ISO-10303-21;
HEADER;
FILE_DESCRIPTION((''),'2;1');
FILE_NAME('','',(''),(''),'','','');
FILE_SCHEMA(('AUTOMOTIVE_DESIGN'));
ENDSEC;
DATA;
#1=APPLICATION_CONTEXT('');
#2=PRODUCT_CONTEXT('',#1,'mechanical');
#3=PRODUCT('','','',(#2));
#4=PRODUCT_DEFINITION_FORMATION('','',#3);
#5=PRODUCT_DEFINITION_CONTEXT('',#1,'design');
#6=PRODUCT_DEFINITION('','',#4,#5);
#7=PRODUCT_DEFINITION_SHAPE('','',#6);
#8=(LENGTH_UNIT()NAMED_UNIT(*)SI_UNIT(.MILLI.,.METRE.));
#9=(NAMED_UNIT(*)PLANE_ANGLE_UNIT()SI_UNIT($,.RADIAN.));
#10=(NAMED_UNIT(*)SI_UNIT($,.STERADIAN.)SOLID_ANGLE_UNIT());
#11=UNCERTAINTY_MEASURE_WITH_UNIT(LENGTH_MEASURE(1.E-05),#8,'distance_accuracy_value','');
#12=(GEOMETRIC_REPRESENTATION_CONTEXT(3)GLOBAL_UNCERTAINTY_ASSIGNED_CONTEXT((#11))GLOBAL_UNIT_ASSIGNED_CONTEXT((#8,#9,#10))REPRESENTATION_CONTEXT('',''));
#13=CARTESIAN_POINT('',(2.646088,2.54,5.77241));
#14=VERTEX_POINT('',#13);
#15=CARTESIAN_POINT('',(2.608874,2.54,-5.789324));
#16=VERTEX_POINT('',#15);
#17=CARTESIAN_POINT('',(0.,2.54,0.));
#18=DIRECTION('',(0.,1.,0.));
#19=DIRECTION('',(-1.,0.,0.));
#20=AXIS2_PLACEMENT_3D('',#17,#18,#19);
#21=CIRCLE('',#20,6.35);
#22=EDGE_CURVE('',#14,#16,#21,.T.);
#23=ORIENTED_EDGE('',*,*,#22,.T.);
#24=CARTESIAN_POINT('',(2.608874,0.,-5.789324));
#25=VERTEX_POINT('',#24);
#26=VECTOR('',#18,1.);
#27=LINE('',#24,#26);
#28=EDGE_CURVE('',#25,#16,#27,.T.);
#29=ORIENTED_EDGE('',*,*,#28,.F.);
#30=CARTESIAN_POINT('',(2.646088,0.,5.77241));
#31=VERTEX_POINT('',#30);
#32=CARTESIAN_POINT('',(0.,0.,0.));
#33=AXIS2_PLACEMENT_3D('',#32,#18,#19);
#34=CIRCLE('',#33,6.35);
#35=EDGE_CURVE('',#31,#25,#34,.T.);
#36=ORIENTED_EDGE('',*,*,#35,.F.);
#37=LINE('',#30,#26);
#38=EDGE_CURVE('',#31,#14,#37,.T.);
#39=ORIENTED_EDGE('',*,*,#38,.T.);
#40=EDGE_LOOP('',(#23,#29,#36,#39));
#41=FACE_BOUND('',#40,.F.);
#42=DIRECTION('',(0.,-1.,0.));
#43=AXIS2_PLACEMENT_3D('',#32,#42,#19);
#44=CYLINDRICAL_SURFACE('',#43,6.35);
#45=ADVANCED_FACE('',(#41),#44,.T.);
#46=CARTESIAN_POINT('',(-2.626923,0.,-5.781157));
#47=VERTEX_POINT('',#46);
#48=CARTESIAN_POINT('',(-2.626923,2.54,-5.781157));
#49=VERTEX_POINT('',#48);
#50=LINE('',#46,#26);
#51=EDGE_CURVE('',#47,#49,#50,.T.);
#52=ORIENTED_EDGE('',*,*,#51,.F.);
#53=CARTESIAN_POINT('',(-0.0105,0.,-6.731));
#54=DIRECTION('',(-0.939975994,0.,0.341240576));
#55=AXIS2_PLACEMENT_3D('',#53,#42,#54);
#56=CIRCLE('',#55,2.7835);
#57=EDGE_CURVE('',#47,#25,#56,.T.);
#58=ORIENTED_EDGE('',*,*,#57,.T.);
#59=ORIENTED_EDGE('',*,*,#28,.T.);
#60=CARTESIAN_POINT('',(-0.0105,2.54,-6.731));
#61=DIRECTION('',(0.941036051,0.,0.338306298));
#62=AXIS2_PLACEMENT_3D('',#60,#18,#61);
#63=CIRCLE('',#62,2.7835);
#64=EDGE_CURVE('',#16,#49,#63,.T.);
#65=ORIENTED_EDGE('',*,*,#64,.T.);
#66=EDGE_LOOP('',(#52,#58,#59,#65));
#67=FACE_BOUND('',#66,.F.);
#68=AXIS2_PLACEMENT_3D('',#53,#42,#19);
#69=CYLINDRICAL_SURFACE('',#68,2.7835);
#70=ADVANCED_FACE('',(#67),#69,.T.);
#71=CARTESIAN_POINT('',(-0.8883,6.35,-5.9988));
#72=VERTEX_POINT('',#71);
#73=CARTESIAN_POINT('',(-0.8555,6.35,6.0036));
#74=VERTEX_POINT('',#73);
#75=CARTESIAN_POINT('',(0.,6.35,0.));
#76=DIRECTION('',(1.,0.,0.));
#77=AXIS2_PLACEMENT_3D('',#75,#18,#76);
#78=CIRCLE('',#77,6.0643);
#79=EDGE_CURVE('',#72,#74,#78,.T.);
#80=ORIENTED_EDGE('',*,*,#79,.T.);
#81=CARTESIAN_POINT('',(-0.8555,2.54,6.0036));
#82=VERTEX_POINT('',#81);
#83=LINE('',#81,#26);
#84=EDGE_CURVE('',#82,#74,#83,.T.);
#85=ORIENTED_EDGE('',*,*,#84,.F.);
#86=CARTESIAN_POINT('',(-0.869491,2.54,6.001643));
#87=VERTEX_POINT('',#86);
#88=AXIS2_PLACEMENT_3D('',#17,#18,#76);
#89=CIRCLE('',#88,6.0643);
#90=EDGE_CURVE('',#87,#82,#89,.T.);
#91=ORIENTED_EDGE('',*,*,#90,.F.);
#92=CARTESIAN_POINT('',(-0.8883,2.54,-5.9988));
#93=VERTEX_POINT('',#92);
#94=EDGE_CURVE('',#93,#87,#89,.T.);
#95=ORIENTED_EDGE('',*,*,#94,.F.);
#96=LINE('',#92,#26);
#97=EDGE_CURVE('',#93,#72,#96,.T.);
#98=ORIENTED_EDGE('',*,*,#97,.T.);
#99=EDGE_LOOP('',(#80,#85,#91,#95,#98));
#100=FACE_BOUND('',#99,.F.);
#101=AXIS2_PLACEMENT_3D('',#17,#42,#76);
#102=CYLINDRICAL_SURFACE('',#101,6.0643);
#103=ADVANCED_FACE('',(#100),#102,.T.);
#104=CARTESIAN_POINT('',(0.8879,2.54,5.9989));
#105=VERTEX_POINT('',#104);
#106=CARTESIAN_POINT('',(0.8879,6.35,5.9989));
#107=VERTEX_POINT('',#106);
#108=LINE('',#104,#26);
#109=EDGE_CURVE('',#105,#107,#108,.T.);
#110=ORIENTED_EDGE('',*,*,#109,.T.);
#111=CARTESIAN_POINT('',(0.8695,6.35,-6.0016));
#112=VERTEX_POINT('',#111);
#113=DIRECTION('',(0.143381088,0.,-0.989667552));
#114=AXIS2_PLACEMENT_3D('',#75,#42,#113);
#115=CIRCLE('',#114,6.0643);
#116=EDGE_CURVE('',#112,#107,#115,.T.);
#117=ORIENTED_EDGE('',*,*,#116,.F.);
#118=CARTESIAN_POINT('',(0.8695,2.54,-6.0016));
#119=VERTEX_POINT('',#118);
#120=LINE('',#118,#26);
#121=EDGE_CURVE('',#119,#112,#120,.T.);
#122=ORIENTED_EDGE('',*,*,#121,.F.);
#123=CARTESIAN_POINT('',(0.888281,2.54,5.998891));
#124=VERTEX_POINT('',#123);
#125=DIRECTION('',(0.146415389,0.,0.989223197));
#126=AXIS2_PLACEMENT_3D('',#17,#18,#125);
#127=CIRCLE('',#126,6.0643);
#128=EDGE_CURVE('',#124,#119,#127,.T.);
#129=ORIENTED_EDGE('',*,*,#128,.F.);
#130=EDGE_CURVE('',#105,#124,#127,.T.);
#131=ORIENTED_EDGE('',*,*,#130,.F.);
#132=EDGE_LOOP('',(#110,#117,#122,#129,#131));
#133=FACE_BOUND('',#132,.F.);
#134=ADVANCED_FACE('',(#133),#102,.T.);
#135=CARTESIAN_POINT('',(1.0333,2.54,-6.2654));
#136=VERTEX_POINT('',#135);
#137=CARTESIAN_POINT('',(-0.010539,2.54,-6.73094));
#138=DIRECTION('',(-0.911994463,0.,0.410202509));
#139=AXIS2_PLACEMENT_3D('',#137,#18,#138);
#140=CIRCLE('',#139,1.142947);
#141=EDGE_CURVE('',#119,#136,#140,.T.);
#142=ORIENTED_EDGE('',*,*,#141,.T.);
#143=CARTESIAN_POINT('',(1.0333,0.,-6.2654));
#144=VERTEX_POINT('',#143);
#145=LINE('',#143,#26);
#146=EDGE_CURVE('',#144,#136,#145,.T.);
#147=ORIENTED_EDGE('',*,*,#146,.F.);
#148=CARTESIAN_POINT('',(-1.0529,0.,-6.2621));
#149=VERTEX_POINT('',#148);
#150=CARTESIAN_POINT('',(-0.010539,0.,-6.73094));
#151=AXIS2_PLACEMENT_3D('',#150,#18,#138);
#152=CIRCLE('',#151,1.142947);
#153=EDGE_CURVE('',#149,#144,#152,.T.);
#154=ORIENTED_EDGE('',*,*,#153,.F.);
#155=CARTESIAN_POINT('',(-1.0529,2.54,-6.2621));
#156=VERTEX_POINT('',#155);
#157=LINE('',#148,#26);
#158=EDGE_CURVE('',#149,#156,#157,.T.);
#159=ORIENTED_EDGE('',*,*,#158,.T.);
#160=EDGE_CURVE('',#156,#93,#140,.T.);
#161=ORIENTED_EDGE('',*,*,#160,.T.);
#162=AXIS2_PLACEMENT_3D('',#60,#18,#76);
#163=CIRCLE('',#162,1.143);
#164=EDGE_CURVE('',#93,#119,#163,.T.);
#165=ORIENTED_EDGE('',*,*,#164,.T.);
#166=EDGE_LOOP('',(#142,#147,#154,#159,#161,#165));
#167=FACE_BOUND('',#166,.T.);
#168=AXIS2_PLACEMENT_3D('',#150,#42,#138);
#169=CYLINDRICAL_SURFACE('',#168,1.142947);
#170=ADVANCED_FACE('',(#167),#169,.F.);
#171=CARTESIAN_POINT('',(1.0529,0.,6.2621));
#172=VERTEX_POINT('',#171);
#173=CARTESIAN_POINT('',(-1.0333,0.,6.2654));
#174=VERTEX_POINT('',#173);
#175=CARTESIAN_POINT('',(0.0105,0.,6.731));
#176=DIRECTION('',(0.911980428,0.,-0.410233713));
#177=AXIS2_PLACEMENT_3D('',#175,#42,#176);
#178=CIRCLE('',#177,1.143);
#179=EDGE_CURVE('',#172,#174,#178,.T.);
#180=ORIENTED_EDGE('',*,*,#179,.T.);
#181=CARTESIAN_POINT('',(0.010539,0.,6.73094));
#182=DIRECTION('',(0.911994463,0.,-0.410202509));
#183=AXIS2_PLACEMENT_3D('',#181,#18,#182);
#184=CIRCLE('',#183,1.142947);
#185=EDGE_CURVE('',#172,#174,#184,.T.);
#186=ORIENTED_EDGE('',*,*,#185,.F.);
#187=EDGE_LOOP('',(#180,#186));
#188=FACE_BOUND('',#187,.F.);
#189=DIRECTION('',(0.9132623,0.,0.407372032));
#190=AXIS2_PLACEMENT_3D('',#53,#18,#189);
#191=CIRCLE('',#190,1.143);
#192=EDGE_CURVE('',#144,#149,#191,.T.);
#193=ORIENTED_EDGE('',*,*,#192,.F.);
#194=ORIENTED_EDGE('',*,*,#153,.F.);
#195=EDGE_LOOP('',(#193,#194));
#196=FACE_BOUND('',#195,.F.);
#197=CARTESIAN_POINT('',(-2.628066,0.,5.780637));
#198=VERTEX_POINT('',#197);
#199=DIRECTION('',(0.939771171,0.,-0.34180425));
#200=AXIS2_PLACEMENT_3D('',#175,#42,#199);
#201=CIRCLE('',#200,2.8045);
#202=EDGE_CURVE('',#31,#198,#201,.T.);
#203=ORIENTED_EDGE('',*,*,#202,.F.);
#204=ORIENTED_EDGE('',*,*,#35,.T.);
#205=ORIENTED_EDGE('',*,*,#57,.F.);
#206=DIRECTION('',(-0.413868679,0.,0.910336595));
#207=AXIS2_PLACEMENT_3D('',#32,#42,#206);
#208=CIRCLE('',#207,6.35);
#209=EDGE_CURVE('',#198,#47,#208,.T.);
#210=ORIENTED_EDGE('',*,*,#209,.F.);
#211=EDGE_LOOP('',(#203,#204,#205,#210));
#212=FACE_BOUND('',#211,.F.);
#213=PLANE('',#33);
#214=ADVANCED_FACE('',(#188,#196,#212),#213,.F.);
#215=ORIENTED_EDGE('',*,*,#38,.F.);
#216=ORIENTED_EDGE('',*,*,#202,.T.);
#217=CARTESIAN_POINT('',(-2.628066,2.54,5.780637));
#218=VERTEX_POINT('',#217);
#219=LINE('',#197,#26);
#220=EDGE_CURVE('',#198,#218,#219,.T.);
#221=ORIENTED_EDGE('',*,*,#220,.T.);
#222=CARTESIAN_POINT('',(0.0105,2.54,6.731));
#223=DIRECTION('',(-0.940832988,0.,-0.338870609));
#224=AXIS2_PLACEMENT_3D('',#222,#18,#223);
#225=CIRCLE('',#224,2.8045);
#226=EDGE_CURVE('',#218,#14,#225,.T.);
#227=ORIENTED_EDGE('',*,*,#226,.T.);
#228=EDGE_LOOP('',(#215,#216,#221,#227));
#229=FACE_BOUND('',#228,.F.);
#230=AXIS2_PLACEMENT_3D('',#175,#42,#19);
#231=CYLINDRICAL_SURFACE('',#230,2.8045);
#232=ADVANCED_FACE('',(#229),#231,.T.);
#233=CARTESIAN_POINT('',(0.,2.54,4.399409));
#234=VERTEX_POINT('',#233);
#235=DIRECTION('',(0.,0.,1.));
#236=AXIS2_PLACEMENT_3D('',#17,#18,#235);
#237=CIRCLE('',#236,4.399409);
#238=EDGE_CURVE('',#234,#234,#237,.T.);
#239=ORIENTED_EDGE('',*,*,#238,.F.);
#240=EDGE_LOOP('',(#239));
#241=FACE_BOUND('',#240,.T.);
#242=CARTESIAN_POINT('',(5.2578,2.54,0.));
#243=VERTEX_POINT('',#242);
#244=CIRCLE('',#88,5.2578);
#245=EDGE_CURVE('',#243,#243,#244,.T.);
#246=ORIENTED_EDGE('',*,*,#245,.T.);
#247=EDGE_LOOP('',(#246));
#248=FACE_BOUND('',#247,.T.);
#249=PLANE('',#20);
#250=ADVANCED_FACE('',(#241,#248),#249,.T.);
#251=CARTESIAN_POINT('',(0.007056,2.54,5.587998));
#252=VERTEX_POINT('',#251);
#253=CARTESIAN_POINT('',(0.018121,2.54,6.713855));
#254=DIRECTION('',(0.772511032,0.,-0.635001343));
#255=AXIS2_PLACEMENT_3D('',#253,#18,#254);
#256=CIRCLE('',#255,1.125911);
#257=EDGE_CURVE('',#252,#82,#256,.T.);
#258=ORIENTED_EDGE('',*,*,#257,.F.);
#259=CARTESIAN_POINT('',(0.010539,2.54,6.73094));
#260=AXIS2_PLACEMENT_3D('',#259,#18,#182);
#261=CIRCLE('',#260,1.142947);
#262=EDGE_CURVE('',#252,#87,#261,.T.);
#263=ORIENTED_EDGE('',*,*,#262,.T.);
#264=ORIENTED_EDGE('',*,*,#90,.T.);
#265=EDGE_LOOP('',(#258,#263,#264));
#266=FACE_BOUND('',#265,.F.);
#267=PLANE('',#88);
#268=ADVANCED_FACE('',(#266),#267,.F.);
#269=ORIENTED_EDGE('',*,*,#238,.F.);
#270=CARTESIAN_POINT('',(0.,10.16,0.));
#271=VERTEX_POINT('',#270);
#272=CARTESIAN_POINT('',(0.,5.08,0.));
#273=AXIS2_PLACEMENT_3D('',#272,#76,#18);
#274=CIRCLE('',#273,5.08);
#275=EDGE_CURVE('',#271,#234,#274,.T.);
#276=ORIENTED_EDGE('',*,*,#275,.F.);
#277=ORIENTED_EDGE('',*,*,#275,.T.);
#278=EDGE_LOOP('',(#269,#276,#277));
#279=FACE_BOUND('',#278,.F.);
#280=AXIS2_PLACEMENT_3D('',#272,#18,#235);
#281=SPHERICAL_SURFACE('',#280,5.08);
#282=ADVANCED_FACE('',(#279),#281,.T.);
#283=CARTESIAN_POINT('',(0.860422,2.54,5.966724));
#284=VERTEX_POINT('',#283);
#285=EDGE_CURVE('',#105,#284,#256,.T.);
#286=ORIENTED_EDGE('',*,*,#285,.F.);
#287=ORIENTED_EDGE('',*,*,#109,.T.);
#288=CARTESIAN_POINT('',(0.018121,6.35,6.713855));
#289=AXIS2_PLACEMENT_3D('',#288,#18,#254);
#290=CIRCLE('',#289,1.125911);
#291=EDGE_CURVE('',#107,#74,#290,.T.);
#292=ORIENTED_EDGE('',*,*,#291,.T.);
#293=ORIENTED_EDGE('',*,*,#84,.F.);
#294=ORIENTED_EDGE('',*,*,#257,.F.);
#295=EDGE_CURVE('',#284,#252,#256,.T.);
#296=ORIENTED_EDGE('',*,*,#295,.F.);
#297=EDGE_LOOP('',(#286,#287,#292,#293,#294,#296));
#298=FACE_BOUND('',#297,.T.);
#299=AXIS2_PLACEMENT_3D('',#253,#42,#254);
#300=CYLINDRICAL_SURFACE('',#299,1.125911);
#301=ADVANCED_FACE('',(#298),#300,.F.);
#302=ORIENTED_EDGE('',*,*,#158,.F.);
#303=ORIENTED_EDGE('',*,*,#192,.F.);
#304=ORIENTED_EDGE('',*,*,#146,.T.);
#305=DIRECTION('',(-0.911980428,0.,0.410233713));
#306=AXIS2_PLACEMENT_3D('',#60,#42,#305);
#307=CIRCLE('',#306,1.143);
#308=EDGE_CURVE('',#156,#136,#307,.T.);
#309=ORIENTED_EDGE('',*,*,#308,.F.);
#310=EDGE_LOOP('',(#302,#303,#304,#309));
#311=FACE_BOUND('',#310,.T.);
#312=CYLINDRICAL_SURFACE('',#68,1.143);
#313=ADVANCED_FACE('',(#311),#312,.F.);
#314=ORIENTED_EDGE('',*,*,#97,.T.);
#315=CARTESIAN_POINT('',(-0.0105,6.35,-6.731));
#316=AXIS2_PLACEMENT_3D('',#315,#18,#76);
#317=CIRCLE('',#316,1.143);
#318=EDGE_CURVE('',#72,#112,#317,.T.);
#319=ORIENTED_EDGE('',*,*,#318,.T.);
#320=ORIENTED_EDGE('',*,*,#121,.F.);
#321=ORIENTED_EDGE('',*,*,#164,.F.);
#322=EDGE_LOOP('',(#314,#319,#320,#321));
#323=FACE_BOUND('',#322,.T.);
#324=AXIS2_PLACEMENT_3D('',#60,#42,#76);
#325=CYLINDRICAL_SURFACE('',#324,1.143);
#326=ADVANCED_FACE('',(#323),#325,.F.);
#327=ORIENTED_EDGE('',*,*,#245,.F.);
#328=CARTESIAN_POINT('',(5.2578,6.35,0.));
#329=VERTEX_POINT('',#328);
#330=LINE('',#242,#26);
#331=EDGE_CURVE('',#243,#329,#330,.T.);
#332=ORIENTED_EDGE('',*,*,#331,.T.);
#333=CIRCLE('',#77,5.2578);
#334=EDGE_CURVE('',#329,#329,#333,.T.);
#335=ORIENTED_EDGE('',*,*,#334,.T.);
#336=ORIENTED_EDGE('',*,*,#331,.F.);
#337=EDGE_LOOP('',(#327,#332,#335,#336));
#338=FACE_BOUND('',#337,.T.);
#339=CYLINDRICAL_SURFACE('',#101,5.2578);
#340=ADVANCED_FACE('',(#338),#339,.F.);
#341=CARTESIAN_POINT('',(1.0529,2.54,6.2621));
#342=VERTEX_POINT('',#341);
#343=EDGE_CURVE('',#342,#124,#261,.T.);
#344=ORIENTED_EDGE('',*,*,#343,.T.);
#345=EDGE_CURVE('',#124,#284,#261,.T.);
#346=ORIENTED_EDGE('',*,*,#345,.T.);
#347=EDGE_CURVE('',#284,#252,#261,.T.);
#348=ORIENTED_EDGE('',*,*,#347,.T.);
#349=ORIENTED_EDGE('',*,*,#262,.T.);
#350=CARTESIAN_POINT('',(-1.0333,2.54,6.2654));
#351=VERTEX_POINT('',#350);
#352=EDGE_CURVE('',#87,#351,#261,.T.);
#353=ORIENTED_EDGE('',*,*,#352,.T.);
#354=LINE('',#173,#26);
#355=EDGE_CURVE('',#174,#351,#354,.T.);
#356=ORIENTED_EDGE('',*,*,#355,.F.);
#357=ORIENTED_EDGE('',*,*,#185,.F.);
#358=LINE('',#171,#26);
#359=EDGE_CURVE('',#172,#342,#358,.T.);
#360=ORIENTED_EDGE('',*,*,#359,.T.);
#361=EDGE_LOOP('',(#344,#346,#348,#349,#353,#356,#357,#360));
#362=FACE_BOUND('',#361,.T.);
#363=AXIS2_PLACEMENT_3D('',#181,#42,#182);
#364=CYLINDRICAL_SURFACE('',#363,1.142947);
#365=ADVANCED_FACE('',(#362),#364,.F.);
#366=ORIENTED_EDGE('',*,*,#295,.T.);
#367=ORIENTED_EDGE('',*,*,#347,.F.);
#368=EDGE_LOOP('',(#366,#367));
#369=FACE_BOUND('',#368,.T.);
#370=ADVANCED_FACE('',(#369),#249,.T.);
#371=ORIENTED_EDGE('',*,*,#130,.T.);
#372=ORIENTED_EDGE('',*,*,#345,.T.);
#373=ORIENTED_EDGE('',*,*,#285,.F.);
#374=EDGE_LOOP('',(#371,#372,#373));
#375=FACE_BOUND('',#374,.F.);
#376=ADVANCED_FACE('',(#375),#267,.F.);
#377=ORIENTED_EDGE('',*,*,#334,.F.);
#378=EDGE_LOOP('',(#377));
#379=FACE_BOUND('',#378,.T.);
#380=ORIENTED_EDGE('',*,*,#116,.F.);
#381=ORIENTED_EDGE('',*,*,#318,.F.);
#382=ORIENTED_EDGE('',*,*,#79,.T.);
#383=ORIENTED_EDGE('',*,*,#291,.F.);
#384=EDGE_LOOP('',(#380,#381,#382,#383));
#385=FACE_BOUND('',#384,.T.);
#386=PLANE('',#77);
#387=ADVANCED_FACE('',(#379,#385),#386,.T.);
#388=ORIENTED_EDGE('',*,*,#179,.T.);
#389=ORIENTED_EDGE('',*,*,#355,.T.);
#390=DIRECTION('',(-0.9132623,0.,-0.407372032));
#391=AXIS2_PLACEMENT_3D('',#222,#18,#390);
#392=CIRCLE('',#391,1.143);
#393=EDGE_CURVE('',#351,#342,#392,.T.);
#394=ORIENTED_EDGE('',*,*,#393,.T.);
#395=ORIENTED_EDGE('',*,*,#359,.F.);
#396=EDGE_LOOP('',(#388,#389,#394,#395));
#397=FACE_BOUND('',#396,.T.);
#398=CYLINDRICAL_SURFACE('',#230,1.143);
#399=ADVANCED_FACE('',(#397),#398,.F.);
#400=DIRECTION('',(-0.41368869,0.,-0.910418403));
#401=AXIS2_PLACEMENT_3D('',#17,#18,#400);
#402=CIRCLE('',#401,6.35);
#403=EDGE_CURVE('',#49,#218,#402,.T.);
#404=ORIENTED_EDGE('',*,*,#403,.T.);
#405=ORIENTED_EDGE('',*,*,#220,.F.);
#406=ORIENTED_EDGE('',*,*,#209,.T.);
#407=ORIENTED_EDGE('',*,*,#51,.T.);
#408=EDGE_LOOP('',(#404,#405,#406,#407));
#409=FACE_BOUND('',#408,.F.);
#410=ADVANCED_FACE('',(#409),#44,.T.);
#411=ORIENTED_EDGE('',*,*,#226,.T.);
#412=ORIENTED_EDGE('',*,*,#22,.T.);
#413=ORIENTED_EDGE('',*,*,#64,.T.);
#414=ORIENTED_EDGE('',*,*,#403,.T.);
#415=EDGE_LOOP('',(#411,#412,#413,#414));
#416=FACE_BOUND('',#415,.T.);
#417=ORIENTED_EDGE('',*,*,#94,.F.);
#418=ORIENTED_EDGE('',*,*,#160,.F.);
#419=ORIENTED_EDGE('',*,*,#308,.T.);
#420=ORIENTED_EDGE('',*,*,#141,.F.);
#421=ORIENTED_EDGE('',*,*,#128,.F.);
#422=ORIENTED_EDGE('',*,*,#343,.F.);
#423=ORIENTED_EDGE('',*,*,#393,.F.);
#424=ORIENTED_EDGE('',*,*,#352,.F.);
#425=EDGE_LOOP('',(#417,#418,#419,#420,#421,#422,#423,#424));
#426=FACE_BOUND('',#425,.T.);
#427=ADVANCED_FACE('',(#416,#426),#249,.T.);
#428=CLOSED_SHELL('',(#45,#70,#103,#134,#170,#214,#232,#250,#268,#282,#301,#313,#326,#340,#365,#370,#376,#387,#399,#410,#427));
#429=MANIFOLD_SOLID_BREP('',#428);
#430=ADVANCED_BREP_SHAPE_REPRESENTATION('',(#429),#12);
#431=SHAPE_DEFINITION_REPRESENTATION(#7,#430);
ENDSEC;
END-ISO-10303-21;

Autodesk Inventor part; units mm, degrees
ref_plane "YZ Plane" through (0, 0, 0) normal (1, 0, 0) x (0, 1, 0)
ref_plane "XZ Plane" through (0, 0, 0) normal (0, 1, 0) x (-1, 0, 0)
ref_plane "XY Plane" through (0, 0, 0) normal (0, 0, 1) x (1, 0, 0)
sketch "Sketch1" plane through (0, 0, 0) normal (0, 1, 0) x (-1, 0, 0)
  circle A0 centre (0, 0) radius 6.35
  circle A1 centre (0.0105, -6.731) radius 1.143
  circle A2 centre (-0.0105, 6.731) radius 1.143
  circle A3 centre (-0.0105, 6.731) radius 2.8045
  circle A4 centre (0.0105, -6.731) radius 2.7835
  line L0 (2.794, 10.5755) -> (2.794, -14.4258)
  line L1 (4.742, 9.5355) -> (-5.3201, 9.5355)
  line L2 (6.3395, -9.5145) -> (-5.3201, -9.5145)
  arc A5 (-1.0529, 6.2621) -> (1.0333, 6.2654) centre (-0.0105, 6.731) ccw
  arc A6 (1.0529, -6.2621) -> (-1.0333, -6.2654) centre (0.0105, -6.731) ccw
  dimension "d0" = 12.7
  dimension "d1" = 2.286
  dimension "d2" = 2.286
  dimension "d3" = 6.731
  dimension "d4" = 6.731
  dimension "d5" = 13.462
  dimension "d6" = 19.05
extrude "Extrusion1" add sketch "Sketch1" along normal blind 2.54 contours A2 A0 A3 | A0 A3 A2 | A0 L0 A4 A3 | A0 L0 | A4 A0 A1 | A0 A1 A4
sketch "Sketch2" plane through (0, 2.54, 0) normal (0, 1, 0) x (1, 0, 0)
  circle A0 centre (0, 0) radius 6.0643
  circle A1 centre (0, 0) radius 5.2578
  circle A2 centre (-0.0105, 6.731) radius 1.143 projected
  arc A3 (0.8695, 6.0016) -> (-0.8883, 5.9988) centre (0, 0) ccw
  arc A4 (-0.8555, -6.0036) -> (0.8879, -5.9989) centre (0, 0) ccw
  arc A5 (0.8879, -5.9989) -> (-0.8555, -6.0036) centre (0.0181, -6.7139) ccw
  arc A6 (-0.8883, 5.9988) -> (0.8695, 6.0016) centre (-0.0105, 6.731) ccw
  line L0 (0, 0) -> (0.8695, 0)
  line L1 (0.8695, 0) -> (0.8695, 1.0578)
  line L2 (0.8695, 1.0578) -> (0, 1.0578)
  line L3 (0, 1.0578) -> (0, 0)
extrude "Extrusion2" add sketch "Sketch2" along normal blind 3.81 contours A0 A5 A2 | L3 L2 L1 L0
sketch "Sketch3" plane through (0, 2.54, -1.0578) normal (-1, 0, 0) x (0, 0, 1)
  circle A0 centre (1.0578, 2.54) radius 5.08
  line L0 (1.0578, 7.62) -> (7.9844, 7.62)
  line L1 (6.8385, -2.54) -> (-4.7233, -2.54) projected
  line L2 (1.0578, 7.62) -> (1.0578, 0)
  line L3 (1.0578, 7.62) -> (1.0578, -2.54)
  dimension "d11" = 10.16
  dimension "d12" = 10.16
revolve "Revolution1" add sketch "Sketch3" angle 360 about axis through (0, 10.16, 0) along (0, -1, 0) picked at (1.4346, 5.0375) contours A0 L3 L2
properties part number "BallCaster"
